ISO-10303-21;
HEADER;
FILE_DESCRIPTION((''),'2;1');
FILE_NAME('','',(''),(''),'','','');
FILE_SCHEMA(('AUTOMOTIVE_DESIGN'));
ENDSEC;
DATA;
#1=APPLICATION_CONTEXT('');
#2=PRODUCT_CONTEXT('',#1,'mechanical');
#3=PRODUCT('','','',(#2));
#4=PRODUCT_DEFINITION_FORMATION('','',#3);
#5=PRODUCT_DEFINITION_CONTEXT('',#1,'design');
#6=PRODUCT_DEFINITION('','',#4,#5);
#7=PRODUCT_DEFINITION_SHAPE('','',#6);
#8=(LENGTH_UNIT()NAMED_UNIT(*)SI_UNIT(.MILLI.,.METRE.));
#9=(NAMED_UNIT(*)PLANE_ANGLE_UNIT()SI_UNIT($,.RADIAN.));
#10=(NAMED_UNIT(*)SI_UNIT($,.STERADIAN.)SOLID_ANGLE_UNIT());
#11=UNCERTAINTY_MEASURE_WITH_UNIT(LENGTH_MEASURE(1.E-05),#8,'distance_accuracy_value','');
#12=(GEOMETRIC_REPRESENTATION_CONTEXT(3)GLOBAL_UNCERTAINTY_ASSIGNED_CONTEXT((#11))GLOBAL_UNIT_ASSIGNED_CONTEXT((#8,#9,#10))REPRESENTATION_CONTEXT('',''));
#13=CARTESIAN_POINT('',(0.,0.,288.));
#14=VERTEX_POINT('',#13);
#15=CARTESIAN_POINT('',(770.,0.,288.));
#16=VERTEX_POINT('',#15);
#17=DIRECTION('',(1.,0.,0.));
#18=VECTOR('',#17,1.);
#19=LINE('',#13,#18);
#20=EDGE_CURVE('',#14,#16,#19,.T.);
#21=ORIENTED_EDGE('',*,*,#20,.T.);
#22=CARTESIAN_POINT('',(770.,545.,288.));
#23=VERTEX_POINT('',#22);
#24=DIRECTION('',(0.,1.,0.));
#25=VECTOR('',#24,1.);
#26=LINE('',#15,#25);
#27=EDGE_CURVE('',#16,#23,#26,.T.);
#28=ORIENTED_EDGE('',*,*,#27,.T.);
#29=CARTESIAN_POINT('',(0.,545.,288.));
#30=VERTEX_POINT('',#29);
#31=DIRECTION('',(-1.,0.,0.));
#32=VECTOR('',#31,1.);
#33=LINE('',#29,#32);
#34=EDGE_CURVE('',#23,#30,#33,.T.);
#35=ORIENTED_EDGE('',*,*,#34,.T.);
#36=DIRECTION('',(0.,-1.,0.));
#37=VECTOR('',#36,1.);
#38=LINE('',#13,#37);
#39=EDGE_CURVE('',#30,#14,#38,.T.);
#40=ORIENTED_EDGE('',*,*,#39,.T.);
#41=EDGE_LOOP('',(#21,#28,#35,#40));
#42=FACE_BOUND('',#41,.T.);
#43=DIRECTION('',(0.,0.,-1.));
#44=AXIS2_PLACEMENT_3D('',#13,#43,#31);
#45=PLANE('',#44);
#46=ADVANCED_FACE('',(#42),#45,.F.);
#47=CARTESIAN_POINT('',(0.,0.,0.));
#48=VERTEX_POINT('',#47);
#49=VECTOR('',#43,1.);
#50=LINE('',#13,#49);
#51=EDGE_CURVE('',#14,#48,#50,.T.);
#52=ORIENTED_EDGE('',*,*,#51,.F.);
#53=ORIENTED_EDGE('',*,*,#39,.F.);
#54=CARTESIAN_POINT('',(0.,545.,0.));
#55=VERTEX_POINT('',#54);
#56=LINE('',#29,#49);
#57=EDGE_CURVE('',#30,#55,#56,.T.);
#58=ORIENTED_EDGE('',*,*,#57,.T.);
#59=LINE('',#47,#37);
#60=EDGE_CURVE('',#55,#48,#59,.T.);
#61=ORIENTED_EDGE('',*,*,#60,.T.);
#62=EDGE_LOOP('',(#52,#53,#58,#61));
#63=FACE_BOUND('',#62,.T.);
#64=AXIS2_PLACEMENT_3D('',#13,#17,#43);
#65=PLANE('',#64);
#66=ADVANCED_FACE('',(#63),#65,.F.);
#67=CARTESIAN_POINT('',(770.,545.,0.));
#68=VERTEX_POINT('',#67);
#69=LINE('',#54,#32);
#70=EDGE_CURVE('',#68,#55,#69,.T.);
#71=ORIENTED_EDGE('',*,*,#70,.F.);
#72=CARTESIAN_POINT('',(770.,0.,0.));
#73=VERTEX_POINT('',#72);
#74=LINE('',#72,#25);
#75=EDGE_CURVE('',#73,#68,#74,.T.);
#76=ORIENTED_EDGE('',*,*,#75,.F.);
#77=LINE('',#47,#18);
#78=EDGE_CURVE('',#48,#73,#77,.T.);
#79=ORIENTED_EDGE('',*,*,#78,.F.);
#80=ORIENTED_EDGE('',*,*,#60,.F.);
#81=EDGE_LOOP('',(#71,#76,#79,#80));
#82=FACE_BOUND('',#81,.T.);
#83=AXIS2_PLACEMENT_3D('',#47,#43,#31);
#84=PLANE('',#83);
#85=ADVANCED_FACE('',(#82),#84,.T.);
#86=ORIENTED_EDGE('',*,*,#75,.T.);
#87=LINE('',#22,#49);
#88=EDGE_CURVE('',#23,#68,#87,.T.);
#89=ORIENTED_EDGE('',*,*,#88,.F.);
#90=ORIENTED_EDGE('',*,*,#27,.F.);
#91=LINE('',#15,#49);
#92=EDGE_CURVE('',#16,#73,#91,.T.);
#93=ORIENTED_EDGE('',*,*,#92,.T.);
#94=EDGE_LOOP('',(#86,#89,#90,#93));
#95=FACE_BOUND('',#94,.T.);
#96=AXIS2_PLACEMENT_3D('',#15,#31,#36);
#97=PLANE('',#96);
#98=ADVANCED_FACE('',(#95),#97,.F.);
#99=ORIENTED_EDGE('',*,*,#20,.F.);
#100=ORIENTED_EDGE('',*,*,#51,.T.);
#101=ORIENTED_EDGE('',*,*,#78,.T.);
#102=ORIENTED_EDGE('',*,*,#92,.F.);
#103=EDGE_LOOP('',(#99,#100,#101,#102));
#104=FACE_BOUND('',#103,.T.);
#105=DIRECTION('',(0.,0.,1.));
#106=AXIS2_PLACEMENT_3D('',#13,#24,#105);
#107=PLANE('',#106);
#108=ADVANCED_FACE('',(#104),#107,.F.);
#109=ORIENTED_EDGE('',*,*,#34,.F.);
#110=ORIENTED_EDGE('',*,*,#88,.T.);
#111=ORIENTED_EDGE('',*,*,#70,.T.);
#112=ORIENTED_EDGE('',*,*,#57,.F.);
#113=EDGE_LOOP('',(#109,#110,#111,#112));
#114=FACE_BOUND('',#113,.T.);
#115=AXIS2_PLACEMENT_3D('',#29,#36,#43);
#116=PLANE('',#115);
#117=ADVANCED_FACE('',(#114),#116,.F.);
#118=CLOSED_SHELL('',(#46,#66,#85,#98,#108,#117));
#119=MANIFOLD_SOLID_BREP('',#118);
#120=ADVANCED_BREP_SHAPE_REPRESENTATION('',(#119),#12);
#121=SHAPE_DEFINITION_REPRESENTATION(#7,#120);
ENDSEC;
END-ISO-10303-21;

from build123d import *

# Parameters (mm, degrees)
ESBO_O1_W                = 770
ESBO_O1_H                = 545
RESSALTO_EXTRUS_O1_DEPTH = 288


with BuildPart() as part:
    # Esboço1 → Ressalto-extrusão1 (new body)
    with BuildSketch(Plane.XY):
        with Locations((385, 272.5)):
            Rectangle(ESBO_O1_W, ESBO_O1_H)
    extrude(amount=RESSALTO_EXTRUS_O1_DEPTH)


solid = part.part
